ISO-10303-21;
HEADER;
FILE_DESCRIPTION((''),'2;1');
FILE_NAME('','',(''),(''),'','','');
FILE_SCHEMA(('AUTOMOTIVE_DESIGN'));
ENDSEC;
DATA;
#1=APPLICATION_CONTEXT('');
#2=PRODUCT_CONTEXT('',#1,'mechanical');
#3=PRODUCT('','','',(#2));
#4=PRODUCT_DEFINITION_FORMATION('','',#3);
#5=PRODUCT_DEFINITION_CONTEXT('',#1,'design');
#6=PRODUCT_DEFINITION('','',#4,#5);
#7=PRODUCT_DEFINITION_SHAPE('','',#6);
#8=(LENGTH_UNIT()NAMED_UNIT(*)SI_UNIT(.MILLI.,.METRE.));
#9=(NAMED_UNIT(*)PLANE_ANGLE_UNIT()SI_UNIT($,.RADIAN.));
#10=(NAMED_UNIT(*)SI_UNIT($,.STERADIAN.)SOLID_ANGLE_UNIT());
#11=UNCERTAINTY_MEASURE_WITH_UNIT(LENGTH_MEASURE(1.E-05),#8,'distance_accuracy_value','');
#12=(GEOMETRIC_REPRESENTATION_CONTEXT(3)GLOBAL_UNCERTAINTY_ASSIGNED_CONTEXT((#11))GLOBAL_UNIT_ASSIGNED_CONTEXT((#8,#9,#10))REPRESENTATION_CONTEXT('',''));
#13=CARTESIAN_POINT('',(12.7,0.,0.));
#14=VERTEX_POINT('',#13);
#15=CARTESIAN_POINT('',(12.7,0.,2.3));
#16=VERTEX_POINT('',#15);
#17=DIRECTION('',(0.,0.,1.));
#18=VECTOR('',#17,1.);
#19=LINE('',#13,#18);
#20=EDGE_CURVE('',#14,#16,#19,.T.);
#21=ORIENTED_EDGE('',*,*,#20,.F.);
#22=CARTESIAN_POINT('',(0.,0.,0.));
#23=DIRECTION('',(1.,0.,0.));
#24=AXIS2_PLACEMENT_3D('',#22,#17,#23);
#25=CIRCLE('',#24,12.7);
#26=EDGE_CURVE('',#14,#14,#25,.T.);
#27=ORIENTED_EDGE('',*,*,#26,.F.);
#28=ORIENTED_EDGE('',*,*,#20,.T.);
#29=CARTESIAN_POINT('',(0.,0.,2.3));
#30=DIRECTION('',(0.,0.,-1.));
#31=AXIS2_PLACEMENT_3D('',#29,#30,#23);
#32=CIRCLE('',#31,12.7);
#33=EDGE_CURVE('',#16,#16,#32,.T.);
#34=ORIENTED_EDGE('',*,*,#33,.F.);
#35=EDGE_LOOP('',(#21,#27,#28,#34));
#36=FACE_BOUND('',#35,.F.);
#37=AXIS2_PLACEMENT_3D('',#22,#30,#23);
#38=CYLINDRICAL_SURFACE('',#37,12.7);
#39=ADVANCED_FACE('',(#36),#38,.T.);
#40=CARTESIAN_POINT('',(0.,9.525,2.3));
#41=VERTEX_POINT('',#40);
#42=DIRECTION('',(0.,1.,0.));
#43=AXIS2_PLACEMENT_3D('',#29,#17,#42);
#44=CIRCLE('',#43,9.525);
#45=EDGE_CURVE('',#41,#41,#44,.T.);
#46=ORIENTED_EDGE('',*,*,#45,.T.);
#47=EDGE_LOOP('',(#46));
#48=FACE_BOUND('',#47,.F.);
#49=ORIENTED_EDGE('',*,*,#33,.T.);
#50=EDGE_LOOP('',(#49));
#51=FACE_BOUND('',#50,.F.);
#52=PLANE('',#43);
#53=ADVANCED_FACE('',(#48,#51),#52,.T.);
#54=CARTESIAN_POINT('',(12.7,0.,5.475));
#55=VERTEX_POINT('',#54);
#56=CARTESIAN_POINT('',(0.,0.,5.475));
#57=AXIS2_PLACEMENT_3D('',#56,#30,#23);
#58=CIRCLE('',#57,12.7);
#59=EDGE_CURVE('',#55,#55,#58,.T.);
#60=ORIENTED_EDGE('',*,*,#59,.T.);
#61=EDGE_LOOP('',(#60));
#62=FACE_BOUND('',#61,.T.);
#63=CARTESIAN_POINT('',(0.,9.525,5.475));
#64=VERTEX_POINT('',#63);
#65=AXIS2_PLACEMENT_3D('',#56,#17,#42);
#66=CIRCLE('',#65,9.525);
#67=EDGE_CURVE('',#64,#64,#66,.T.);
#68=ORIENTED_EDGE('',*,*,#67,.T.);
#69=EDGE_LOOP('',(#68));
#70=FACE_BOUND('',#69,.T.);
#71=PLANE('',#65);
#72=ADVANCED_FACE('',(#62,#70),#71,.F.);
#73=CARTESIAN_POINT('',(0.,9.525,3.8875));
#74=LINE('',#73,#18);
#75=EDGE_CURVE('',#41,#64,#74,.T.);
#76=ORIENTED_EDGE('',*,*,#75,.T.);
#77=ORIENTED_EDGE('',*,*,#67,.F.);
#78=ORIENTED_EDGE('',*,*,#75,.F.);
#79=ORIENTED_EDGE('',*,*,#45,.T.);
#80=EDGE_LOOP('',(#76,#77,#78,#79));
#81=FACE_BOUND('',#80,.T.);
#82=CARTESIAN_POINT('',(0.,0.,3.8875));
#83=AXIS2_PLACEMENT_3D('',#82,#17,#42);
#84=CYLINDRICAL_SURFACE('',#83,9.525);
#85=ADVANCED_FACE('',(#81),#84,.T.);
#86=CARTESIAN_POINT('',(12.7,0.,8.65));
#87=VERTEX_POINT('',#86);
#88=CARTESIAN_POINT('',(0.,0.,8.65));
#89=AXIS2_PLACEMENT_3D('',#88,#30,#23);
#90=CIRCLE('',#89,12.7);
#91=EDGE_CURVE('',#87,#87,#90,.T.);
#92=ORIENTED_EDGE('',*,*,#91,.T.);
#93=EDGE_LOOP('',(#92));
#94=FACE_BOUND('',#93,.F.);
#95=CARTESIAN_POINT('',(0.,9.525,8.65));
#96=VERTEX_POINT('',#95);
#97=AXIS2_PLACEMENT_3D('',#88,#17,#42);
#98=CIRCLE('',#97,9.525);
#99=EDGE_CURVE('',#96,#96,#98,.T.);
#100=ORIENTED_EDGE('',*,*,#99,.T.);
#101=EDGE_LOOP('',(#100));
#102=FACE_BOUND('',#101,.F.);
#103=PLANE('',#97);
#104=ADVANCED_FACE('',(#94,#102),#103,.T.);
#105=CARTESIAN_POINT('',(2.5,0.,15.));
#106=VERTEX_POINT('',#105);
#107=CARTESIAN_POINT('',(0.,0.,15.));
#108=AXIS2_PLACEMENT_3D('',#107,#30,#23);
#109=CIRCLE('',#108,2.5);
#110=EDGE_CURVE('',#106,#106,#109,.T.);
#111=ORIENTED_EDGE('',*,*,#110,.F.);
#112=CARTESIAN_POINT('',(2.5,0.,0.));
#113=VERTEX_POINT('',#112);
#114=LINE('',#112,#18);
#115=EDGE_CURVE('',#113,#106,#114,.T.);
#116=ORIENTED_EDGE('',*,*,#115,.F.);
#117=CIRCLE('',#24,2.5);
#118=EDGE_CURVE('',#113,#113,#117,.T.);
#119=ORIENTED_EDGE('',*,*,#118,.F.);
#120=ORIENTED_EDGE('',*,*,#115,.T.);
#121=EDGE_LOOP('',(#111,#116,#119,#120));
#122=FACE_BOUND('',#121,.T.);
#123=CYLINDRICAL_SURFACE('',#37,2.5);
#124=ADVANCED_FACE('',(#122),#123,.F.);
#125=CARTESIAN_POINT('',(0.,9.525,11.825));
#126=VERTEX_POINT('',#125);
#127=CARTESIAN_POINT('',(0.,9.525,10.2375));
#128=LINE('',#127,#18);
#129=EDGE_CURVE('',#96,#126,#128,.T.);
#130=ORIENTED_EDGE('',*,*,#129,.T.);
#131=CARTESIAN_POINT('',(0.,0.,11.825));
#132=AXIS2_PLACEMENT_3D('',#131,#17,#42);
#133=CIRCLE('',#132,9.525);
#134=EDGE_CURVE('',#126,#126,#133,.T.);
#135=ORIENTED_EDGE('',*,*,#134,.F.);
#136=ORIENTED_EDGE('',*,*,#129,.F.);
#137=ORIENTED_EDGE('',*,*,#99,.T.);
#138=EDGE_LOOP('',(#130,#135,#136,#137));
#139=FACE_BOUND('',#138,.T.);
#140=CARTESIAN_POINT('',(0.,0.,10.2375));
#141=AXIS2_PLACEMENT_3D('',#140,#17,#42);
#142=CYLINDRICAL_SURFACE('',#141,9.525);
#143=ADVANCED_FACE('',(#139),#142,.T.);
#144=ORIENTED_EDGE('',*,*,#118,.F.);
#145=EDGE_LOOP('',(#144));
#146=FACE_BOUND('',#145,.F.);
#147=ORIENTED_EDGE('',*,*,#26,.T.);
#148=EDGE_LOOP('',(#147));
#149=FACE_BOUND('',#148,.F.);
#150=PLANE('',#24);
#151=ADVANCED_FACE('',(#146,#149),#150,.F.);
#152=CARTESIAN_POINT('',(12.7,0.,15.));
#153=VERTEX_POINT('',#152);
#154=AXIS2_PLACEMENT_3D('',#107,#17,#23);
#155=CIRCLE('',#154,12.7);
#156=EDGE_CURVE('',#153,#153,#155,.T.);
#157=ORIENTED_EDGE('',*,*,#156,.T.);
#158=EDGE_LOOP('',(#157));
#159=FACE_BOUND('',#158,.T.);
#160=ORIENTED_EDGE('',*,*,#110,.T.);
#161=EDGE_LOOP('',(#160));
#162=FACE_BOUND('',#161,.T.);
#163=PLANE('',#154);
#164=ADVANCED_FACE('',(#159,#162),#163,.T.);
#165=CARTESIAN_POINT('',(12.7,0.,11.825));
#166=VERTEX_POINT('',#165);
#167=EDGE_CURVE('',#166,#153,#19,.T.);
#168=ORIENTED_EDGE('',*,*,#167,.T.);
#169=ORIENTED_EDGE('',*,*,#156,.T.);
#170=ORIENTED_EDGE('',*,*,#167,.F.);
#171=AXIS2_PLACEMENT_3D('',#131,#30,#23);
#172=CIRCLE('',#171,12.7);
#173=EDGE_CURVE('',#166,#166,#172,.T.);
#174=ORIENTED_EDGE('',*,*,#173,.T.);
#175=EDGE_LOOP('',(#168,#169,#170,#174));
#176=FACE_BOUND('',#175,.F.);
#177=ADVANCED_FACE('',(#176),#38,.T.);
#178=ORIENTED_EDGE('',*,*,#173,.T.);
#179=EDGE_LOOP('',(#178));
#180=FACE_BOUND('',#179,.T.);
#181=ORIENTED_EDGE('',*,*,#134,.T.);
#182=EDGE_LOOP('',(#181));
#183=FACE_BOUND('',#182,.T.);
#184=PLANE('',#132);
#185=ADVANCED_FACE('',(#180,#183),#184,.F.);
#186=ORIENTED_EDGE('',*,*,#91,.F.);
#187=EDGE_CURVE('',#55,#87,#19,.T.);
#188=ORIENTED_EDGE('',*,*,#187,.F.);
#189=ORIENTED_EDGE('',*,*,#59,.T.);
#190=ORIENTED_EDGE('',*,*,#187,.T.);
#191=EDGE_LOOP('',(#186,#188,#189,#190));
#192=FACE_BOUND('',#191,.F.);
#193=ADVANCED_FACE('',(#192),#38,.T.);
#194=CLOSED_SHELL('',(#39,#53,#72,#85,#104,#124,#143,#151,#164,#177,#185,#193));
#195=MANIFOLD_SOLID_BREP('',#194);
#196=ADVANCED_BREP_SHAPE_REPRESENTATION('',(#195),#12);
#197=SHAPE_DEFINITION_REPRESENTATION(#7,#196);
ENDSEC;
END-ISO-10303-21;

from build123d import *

# Parameters (mm, degrees)
F0_R     = 12.7
F0_R_2   = 9.525
F1_DEPTH = 15
F3_W     = 3.175
F3_H     = 3.175
F5_R     = 2.5
F6_DEPTH = 25.4


with BuildPart() as f1:
    # F0 (on Top) → F1 (new body)
    with BuildSketch(Plane.XY):
        Circle(F0_R)
        Circle(F0_R_2, mode=Mode.SUBTRACT)
        Circle(F0_R_2)
    extrude(amount=F1_DEPTH)

    # F3 (on Right) → F4 (revolve, cut)
    with BuildSketch(Plane.YZ):
        with Locations((11.1125, 3.8875)):
            Rectangle(F3_W, F3_H)
        with Locations((11.1125, 10.2375)):
            Rectangle(F3_W, F3_H)
    revolve(axis=Axis((0, 0, -0.284396), (0, 0, 1)), mode=Mode.SUBTRACT)

    # F5 (on face) → F6 (cut)
    with BuildSketch(Plane.XY):
        Circle(F5_R)
    extrude(amount=F6_DEPTH, mode=Mode.SUBTRACT)


solid = f1.part
